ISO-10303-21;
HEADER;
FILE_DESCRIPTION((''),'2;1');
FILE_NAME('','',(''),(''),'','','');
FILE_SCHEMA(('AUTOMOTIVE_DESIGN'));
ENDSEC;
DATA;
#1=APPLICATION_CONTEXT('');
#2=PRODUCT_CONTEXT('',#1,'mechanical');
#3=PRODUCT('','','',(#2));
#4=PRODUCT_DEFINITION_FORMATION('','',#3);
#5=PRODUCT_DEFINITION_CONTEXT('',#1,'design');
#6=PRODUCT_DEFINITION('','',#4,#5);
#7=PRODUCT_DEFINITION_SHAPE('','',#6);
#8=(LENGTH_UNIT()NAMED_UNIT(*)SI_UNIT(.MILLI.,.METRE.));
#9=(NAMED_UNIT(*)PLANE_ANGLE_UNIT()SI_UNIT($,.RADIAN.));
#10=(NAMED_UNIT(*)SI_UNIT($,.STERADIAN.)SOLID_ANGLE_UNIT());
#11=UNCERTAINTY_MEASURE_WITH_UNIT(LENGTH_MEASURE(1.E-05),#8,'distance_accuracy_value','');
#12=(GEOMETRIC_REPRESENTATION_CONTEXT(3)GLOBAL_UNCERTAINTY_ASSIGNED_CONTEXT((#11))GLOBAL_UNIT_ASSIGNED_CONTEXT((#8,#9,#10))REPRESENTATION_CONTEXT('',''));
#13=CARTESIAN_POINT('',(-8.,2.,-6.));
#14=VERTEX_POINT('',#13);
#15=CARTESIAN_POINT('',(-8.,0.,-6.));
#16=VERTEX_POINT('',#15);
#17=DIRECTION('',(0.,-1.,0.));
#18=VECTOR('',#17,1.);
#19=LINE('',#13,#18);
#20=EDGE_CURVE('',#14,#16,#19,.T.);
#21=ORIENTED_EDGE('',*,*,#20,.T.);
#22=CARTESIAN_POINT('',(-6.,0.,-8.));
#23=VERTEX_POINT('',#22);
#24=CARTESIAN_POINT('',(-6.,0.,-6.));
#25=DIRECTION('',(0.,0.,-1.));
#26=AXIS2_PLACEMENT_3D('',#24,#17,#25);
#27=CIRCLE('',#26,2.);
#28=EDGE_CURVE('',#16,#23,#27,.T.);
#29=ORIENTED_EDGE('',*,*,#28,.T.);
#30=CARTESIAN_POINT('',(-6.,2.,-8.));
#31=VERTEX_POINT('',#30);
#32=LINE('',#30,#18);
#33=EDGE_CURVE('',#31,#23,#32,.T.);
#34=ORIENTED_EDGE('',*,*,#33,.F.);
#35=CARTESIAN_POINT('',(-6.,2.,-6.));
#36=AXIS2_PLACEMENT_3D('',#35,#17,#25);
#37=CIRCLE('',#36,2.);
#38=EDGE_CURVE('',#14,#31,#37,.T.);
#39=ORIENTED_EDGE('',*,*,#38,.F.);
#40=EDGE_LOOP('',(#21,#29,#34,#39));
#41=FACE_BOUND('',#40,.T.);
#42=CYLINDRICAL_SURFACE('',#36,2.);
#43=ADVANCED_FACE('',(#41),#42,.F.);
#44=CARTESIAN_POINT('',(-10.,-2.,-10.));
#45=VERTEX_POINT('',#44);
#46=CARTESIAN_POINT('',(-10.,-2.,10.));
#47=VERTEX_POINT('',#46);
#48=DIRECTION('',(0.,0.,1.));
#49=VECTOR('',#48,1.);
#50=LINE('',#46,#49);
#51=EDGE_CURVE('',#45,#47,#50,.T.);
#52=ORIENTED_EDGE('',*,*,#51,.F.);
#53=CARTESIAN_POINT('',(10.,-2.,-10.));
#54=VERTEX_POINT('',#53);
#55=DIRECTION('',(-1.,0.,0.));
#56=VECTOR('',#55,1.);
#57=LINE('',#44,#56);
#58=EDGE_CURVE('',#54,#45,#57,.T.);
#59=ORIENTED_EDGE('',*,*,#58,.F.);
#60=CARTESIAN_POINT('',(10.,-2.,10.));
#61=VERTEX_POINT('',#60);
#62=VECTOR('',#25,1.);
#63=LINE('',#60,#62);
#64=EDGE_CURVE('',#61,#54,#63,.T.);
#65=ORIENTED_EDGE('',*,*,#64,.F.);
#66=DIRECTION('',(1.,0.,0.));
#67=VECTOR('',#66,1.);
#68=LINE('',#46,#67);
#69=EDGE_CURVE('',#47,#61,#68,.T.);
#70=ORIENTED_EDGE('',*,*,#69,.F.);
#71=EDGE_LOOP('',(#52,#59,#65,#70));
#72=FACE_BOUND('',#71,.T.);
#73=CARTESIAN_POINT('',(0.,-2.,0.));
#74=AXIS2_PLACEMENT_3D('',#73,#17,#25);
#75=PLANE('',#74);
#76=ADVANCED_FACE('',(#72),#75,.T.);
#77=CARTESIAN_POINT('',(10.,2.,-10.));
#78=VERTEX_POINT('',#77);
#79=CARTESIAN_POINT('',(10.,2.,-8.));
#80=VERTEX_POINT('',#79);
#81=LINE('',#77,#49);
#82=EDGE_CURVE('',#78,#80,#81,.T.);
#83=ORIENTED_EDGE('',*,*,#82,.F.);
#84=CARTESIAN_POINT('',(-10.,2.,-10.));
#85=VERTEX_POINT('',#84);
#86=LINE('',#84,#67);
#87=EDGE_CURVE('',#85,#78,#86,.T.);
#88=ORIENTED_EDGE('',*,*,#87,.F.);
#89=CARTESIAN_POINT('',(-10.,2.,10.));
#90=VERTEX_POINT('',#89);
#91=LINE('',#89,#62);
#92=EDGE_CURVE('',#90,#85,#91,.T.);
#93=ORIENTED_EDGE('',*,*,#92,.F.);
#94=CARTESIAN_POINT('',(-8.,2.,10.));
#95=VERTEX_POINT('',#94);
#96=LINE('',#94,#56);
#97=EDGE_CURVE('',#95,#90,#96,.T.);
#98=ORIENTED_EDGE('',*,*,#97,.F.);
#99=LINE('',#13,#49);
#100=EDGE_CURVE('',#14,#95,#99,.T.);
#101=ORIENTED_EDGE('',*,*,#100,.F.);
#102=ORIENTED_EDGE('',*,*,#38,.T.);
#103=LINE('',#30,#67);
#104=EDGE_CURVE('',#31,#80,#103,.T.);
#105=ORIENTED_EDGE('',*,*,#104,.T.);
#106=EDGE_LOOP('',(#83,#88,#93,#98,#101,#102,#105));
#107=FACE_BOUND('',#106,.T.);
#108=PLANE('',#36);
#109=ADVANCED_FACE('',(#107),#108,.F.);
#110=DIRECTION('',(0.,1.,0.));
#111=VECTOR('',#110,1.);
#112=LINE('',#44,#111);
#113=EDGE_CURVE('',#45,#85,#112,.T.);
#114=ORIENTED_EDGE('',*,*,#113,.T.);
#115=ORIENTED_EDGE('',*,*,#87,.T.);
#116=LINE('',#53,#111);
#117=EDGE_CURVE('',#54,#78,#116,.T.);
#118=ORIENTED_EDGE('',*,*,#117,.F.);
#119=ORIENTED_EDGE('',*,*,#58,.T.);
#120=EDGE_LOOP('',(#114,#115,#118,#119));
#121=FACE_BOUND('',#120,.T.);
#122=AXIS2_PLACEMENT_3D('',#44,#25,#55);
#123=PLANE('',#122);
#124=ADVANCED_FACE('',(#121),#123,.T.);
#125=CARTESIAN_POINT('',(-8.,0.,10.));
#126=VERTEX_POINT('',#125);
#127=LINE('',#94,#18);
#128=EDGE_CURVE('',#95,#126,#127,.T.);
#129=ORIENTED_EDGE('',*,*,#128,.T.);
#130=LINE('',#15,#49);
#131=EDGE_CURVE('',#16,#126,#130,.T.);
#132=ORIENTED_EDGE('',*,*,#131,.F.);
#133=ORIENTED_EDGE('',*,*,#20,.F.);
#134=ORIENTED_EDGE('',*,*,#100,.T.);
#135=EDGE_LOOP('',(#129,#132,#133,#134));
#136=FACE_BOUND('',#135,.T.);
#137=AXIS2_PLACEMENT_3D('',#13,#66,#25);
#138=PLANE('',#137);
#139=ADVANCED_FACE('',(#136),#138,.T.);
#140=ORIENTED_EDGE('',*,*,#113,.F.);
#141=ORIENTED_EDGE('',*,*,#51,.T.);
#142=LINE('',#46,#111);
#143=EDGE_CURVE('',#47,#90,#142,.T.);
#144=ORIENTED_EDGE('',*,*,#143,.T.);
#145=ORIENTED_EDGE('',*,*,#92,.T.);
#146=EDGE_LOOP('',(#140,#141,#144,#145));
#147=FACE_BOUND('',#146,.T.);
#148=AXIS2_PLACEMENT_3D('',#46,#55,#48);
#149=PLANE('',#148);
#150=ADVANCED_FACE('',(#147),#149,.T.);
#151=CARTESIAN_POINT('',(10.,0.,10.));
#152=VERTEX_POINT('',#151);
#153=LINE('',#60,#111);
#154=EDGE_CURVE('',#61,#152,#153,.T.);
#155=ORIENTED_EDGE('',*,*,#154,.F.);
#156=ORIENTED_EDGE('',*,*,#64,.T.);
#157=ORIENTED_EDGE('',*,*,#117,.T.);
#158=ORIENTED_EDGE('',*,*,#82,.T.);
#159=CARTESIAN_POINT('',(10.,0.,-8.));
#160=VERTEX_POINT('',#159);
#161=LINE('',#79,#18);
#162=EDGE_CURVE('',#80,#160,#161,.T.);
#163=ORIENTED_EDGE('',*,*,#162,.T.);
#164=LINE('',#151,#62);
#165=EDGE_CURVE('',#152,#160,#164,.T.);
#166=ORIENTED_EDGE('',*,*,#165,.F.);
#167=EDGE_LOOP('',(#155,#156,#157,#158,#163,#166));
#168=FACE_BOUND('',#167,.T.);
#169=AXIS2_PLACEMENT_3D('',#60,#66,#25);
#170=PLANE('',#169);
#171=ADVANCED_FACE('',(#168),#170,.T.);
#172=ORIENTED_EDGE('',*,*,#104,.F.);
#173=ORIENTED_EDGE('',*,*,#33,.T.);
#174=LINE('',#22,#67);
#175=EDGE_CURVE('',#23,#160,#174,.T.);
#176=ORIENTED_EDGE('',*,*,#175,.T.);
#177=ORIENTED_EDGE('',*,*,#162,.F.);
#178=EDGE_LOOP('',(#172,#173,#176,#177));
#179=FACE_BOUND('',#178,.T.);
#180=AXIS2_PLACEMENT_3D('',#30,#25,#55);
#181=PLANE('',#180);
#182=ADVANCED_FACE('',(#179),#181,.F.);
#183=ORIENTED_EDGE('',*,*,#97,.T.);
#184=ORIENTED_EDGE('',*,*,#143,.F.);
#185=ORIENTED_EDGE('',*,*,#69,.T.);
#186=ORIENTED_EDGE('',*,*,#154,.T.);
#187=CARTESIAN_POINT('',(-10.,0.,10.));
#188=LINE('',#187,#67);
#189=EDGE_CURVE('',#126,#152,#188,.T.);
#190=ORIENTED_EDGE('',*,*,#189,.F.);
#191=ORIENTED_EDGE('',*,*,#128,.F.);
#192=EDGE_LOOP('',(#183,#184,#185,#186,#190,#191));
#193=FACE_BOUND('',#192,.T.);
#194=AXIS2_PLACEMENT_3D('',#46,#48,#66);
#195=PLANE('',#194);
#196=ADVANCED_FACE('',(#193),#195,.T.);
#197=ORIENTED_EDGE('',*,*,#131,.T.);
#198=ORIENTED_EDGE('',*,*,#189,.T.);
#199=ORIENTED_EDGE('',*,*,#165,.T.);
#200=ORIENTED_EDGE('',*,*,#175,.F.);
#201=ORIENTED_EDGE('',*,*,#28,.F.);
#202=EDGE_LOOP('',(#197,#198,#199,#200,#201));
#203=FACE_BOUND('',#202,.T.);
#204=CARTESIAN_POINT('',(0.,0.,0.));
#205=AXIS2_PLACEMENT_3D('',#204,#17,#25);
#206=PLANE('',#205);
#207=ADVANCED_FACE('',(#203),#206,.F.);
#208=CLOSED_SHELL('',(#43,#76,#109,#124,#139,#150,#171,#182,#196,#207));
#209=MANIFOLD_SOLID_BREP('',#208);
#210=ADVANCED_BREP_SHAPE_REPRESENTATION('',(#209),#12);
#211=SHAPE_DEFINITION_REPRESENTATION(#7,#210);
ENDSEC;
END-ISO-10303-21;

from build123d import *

# Parameters (mm, degrees)
SKETCH1_W           = 20
SKETCH1_H           = 20
BOSS_EXTRUDE2_DEPTH = 2
BOSS_EXTRUDE3_DEPTH = 2


with BuildPart() as part:
    # Sketch1 → Boss-Extrude2 (new body)
    with BuildSketch(Plane(origin=(0, 0, 0), x_dir=(1, 0, 0), z_dir=(0, 1, 0))):
        Rectangle(SKETCH1_W, SKETCH1_H)
    extrude(amount=-BOSS_EXTRUDE2_DEPTH)

    # Sketch2 → Boss-Extrude3 (add)
    with BuildSketch(Plane(origin=(0, 0, 0), x_dir=(1, 0, 0), z_dir=(0, 1, 0))):
        with BuildLine():
            Line((-6, 8), (10, 8))
            Line((10, 8), (10, 10))
            Line((10, 10), (-10, 10))
            Line((-10, 10), (-10, -10))
            Line((-10, -10), (-8, -10))
            Line((-8, -10), (-8, 6))
            ThreePointArc((-8, 6), (-7.414213562, 7.414213562), (-6, 8))
        make_face()
    extrude(amount=BOSS_EXTRUDE3_DEPTH)


solid = part.part
